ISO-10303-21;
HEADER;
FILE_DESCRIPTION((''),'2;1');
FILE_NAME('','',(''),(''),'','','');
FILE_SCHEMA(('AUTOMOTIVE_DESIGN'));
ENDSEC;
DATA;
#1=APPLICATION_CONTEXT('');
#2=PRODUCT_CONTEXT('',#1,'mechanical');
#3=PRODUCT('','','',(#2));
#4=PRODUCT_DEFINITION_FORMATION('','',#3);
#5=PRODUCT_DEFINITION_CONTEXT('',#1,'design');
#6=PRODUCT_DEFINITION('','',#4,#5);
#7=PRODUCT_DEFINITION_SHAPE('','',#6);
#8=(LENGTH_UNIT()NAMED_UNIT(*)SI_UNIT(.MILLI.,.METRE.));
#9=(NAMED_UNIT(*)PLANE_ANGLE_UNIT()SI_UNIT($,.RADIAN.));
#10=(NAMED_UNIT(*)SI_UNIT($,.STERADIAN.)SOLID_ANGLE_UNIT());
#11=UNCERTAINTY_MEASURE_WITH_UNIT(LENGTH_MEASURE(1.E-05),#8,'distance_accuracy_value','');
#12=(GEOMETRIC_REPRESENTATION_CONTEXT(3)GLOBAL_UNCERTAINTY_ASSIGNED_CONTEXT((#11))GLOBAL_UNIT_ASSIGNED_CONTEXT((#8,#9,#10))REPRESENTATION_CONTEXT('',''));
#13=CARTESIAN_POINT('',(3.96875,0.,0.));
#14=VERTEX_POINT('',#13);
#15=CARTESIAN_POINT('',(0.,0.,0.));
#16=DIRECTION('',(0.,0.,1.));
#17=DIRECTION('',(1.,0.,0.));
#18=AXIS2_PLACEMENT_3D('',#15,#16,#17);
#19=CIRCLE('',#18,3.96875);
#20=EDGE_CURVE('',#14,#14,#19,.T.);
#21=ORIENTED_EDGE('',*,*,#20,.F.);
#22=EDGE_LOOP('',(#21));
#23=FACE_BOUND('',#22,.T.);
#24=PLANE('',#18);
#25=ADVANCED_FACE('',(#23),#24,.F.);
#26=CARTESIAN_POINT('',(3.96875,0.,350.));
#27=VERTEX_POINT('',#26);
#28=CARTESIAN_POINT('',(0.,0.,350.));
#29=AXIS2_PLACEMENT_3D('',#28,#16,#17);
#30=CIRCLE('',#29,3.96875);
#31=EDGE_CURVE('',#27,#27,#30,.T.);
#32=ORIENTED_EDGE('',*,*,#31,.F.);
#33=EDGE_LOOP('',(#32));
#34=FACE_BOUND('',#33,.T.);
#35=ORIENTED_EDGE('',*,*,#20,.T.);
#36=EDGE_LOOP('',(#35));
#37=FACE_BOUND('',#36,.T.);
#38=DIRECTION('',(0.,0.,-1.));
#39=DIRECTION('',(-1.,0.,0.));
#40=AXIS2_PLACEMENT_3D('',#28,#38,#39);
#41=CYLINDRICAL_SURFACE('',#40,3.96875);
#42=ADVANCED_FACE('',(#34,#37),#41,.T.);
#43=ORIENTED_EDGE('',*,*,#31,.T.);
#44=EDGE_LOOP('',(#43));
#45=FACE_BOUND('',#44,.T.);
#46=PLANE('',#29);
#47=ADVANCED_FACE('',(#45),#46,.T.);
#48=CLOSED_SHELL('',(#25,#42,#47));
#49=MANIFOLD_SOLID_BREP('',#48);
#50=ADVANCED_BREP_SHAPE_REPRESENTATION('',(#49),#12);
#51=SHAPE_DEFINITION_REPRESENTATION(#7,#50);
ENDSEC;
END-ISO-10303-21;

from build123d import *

# Parameters (mm, degrees)
SKETCH1_R           = 3.96875
BOSS_EXTRUDE1_DEPTH = 350


with BuildPart() as part:
    # Sketch1 → Boss-Extrude1 (new body)
    with BuildSketch(Plane.XY):
        Circle(SKETCH1_R)
    extrude(amount=BOSS_EXTRUDE1_DEPTH)


solid = part.part
